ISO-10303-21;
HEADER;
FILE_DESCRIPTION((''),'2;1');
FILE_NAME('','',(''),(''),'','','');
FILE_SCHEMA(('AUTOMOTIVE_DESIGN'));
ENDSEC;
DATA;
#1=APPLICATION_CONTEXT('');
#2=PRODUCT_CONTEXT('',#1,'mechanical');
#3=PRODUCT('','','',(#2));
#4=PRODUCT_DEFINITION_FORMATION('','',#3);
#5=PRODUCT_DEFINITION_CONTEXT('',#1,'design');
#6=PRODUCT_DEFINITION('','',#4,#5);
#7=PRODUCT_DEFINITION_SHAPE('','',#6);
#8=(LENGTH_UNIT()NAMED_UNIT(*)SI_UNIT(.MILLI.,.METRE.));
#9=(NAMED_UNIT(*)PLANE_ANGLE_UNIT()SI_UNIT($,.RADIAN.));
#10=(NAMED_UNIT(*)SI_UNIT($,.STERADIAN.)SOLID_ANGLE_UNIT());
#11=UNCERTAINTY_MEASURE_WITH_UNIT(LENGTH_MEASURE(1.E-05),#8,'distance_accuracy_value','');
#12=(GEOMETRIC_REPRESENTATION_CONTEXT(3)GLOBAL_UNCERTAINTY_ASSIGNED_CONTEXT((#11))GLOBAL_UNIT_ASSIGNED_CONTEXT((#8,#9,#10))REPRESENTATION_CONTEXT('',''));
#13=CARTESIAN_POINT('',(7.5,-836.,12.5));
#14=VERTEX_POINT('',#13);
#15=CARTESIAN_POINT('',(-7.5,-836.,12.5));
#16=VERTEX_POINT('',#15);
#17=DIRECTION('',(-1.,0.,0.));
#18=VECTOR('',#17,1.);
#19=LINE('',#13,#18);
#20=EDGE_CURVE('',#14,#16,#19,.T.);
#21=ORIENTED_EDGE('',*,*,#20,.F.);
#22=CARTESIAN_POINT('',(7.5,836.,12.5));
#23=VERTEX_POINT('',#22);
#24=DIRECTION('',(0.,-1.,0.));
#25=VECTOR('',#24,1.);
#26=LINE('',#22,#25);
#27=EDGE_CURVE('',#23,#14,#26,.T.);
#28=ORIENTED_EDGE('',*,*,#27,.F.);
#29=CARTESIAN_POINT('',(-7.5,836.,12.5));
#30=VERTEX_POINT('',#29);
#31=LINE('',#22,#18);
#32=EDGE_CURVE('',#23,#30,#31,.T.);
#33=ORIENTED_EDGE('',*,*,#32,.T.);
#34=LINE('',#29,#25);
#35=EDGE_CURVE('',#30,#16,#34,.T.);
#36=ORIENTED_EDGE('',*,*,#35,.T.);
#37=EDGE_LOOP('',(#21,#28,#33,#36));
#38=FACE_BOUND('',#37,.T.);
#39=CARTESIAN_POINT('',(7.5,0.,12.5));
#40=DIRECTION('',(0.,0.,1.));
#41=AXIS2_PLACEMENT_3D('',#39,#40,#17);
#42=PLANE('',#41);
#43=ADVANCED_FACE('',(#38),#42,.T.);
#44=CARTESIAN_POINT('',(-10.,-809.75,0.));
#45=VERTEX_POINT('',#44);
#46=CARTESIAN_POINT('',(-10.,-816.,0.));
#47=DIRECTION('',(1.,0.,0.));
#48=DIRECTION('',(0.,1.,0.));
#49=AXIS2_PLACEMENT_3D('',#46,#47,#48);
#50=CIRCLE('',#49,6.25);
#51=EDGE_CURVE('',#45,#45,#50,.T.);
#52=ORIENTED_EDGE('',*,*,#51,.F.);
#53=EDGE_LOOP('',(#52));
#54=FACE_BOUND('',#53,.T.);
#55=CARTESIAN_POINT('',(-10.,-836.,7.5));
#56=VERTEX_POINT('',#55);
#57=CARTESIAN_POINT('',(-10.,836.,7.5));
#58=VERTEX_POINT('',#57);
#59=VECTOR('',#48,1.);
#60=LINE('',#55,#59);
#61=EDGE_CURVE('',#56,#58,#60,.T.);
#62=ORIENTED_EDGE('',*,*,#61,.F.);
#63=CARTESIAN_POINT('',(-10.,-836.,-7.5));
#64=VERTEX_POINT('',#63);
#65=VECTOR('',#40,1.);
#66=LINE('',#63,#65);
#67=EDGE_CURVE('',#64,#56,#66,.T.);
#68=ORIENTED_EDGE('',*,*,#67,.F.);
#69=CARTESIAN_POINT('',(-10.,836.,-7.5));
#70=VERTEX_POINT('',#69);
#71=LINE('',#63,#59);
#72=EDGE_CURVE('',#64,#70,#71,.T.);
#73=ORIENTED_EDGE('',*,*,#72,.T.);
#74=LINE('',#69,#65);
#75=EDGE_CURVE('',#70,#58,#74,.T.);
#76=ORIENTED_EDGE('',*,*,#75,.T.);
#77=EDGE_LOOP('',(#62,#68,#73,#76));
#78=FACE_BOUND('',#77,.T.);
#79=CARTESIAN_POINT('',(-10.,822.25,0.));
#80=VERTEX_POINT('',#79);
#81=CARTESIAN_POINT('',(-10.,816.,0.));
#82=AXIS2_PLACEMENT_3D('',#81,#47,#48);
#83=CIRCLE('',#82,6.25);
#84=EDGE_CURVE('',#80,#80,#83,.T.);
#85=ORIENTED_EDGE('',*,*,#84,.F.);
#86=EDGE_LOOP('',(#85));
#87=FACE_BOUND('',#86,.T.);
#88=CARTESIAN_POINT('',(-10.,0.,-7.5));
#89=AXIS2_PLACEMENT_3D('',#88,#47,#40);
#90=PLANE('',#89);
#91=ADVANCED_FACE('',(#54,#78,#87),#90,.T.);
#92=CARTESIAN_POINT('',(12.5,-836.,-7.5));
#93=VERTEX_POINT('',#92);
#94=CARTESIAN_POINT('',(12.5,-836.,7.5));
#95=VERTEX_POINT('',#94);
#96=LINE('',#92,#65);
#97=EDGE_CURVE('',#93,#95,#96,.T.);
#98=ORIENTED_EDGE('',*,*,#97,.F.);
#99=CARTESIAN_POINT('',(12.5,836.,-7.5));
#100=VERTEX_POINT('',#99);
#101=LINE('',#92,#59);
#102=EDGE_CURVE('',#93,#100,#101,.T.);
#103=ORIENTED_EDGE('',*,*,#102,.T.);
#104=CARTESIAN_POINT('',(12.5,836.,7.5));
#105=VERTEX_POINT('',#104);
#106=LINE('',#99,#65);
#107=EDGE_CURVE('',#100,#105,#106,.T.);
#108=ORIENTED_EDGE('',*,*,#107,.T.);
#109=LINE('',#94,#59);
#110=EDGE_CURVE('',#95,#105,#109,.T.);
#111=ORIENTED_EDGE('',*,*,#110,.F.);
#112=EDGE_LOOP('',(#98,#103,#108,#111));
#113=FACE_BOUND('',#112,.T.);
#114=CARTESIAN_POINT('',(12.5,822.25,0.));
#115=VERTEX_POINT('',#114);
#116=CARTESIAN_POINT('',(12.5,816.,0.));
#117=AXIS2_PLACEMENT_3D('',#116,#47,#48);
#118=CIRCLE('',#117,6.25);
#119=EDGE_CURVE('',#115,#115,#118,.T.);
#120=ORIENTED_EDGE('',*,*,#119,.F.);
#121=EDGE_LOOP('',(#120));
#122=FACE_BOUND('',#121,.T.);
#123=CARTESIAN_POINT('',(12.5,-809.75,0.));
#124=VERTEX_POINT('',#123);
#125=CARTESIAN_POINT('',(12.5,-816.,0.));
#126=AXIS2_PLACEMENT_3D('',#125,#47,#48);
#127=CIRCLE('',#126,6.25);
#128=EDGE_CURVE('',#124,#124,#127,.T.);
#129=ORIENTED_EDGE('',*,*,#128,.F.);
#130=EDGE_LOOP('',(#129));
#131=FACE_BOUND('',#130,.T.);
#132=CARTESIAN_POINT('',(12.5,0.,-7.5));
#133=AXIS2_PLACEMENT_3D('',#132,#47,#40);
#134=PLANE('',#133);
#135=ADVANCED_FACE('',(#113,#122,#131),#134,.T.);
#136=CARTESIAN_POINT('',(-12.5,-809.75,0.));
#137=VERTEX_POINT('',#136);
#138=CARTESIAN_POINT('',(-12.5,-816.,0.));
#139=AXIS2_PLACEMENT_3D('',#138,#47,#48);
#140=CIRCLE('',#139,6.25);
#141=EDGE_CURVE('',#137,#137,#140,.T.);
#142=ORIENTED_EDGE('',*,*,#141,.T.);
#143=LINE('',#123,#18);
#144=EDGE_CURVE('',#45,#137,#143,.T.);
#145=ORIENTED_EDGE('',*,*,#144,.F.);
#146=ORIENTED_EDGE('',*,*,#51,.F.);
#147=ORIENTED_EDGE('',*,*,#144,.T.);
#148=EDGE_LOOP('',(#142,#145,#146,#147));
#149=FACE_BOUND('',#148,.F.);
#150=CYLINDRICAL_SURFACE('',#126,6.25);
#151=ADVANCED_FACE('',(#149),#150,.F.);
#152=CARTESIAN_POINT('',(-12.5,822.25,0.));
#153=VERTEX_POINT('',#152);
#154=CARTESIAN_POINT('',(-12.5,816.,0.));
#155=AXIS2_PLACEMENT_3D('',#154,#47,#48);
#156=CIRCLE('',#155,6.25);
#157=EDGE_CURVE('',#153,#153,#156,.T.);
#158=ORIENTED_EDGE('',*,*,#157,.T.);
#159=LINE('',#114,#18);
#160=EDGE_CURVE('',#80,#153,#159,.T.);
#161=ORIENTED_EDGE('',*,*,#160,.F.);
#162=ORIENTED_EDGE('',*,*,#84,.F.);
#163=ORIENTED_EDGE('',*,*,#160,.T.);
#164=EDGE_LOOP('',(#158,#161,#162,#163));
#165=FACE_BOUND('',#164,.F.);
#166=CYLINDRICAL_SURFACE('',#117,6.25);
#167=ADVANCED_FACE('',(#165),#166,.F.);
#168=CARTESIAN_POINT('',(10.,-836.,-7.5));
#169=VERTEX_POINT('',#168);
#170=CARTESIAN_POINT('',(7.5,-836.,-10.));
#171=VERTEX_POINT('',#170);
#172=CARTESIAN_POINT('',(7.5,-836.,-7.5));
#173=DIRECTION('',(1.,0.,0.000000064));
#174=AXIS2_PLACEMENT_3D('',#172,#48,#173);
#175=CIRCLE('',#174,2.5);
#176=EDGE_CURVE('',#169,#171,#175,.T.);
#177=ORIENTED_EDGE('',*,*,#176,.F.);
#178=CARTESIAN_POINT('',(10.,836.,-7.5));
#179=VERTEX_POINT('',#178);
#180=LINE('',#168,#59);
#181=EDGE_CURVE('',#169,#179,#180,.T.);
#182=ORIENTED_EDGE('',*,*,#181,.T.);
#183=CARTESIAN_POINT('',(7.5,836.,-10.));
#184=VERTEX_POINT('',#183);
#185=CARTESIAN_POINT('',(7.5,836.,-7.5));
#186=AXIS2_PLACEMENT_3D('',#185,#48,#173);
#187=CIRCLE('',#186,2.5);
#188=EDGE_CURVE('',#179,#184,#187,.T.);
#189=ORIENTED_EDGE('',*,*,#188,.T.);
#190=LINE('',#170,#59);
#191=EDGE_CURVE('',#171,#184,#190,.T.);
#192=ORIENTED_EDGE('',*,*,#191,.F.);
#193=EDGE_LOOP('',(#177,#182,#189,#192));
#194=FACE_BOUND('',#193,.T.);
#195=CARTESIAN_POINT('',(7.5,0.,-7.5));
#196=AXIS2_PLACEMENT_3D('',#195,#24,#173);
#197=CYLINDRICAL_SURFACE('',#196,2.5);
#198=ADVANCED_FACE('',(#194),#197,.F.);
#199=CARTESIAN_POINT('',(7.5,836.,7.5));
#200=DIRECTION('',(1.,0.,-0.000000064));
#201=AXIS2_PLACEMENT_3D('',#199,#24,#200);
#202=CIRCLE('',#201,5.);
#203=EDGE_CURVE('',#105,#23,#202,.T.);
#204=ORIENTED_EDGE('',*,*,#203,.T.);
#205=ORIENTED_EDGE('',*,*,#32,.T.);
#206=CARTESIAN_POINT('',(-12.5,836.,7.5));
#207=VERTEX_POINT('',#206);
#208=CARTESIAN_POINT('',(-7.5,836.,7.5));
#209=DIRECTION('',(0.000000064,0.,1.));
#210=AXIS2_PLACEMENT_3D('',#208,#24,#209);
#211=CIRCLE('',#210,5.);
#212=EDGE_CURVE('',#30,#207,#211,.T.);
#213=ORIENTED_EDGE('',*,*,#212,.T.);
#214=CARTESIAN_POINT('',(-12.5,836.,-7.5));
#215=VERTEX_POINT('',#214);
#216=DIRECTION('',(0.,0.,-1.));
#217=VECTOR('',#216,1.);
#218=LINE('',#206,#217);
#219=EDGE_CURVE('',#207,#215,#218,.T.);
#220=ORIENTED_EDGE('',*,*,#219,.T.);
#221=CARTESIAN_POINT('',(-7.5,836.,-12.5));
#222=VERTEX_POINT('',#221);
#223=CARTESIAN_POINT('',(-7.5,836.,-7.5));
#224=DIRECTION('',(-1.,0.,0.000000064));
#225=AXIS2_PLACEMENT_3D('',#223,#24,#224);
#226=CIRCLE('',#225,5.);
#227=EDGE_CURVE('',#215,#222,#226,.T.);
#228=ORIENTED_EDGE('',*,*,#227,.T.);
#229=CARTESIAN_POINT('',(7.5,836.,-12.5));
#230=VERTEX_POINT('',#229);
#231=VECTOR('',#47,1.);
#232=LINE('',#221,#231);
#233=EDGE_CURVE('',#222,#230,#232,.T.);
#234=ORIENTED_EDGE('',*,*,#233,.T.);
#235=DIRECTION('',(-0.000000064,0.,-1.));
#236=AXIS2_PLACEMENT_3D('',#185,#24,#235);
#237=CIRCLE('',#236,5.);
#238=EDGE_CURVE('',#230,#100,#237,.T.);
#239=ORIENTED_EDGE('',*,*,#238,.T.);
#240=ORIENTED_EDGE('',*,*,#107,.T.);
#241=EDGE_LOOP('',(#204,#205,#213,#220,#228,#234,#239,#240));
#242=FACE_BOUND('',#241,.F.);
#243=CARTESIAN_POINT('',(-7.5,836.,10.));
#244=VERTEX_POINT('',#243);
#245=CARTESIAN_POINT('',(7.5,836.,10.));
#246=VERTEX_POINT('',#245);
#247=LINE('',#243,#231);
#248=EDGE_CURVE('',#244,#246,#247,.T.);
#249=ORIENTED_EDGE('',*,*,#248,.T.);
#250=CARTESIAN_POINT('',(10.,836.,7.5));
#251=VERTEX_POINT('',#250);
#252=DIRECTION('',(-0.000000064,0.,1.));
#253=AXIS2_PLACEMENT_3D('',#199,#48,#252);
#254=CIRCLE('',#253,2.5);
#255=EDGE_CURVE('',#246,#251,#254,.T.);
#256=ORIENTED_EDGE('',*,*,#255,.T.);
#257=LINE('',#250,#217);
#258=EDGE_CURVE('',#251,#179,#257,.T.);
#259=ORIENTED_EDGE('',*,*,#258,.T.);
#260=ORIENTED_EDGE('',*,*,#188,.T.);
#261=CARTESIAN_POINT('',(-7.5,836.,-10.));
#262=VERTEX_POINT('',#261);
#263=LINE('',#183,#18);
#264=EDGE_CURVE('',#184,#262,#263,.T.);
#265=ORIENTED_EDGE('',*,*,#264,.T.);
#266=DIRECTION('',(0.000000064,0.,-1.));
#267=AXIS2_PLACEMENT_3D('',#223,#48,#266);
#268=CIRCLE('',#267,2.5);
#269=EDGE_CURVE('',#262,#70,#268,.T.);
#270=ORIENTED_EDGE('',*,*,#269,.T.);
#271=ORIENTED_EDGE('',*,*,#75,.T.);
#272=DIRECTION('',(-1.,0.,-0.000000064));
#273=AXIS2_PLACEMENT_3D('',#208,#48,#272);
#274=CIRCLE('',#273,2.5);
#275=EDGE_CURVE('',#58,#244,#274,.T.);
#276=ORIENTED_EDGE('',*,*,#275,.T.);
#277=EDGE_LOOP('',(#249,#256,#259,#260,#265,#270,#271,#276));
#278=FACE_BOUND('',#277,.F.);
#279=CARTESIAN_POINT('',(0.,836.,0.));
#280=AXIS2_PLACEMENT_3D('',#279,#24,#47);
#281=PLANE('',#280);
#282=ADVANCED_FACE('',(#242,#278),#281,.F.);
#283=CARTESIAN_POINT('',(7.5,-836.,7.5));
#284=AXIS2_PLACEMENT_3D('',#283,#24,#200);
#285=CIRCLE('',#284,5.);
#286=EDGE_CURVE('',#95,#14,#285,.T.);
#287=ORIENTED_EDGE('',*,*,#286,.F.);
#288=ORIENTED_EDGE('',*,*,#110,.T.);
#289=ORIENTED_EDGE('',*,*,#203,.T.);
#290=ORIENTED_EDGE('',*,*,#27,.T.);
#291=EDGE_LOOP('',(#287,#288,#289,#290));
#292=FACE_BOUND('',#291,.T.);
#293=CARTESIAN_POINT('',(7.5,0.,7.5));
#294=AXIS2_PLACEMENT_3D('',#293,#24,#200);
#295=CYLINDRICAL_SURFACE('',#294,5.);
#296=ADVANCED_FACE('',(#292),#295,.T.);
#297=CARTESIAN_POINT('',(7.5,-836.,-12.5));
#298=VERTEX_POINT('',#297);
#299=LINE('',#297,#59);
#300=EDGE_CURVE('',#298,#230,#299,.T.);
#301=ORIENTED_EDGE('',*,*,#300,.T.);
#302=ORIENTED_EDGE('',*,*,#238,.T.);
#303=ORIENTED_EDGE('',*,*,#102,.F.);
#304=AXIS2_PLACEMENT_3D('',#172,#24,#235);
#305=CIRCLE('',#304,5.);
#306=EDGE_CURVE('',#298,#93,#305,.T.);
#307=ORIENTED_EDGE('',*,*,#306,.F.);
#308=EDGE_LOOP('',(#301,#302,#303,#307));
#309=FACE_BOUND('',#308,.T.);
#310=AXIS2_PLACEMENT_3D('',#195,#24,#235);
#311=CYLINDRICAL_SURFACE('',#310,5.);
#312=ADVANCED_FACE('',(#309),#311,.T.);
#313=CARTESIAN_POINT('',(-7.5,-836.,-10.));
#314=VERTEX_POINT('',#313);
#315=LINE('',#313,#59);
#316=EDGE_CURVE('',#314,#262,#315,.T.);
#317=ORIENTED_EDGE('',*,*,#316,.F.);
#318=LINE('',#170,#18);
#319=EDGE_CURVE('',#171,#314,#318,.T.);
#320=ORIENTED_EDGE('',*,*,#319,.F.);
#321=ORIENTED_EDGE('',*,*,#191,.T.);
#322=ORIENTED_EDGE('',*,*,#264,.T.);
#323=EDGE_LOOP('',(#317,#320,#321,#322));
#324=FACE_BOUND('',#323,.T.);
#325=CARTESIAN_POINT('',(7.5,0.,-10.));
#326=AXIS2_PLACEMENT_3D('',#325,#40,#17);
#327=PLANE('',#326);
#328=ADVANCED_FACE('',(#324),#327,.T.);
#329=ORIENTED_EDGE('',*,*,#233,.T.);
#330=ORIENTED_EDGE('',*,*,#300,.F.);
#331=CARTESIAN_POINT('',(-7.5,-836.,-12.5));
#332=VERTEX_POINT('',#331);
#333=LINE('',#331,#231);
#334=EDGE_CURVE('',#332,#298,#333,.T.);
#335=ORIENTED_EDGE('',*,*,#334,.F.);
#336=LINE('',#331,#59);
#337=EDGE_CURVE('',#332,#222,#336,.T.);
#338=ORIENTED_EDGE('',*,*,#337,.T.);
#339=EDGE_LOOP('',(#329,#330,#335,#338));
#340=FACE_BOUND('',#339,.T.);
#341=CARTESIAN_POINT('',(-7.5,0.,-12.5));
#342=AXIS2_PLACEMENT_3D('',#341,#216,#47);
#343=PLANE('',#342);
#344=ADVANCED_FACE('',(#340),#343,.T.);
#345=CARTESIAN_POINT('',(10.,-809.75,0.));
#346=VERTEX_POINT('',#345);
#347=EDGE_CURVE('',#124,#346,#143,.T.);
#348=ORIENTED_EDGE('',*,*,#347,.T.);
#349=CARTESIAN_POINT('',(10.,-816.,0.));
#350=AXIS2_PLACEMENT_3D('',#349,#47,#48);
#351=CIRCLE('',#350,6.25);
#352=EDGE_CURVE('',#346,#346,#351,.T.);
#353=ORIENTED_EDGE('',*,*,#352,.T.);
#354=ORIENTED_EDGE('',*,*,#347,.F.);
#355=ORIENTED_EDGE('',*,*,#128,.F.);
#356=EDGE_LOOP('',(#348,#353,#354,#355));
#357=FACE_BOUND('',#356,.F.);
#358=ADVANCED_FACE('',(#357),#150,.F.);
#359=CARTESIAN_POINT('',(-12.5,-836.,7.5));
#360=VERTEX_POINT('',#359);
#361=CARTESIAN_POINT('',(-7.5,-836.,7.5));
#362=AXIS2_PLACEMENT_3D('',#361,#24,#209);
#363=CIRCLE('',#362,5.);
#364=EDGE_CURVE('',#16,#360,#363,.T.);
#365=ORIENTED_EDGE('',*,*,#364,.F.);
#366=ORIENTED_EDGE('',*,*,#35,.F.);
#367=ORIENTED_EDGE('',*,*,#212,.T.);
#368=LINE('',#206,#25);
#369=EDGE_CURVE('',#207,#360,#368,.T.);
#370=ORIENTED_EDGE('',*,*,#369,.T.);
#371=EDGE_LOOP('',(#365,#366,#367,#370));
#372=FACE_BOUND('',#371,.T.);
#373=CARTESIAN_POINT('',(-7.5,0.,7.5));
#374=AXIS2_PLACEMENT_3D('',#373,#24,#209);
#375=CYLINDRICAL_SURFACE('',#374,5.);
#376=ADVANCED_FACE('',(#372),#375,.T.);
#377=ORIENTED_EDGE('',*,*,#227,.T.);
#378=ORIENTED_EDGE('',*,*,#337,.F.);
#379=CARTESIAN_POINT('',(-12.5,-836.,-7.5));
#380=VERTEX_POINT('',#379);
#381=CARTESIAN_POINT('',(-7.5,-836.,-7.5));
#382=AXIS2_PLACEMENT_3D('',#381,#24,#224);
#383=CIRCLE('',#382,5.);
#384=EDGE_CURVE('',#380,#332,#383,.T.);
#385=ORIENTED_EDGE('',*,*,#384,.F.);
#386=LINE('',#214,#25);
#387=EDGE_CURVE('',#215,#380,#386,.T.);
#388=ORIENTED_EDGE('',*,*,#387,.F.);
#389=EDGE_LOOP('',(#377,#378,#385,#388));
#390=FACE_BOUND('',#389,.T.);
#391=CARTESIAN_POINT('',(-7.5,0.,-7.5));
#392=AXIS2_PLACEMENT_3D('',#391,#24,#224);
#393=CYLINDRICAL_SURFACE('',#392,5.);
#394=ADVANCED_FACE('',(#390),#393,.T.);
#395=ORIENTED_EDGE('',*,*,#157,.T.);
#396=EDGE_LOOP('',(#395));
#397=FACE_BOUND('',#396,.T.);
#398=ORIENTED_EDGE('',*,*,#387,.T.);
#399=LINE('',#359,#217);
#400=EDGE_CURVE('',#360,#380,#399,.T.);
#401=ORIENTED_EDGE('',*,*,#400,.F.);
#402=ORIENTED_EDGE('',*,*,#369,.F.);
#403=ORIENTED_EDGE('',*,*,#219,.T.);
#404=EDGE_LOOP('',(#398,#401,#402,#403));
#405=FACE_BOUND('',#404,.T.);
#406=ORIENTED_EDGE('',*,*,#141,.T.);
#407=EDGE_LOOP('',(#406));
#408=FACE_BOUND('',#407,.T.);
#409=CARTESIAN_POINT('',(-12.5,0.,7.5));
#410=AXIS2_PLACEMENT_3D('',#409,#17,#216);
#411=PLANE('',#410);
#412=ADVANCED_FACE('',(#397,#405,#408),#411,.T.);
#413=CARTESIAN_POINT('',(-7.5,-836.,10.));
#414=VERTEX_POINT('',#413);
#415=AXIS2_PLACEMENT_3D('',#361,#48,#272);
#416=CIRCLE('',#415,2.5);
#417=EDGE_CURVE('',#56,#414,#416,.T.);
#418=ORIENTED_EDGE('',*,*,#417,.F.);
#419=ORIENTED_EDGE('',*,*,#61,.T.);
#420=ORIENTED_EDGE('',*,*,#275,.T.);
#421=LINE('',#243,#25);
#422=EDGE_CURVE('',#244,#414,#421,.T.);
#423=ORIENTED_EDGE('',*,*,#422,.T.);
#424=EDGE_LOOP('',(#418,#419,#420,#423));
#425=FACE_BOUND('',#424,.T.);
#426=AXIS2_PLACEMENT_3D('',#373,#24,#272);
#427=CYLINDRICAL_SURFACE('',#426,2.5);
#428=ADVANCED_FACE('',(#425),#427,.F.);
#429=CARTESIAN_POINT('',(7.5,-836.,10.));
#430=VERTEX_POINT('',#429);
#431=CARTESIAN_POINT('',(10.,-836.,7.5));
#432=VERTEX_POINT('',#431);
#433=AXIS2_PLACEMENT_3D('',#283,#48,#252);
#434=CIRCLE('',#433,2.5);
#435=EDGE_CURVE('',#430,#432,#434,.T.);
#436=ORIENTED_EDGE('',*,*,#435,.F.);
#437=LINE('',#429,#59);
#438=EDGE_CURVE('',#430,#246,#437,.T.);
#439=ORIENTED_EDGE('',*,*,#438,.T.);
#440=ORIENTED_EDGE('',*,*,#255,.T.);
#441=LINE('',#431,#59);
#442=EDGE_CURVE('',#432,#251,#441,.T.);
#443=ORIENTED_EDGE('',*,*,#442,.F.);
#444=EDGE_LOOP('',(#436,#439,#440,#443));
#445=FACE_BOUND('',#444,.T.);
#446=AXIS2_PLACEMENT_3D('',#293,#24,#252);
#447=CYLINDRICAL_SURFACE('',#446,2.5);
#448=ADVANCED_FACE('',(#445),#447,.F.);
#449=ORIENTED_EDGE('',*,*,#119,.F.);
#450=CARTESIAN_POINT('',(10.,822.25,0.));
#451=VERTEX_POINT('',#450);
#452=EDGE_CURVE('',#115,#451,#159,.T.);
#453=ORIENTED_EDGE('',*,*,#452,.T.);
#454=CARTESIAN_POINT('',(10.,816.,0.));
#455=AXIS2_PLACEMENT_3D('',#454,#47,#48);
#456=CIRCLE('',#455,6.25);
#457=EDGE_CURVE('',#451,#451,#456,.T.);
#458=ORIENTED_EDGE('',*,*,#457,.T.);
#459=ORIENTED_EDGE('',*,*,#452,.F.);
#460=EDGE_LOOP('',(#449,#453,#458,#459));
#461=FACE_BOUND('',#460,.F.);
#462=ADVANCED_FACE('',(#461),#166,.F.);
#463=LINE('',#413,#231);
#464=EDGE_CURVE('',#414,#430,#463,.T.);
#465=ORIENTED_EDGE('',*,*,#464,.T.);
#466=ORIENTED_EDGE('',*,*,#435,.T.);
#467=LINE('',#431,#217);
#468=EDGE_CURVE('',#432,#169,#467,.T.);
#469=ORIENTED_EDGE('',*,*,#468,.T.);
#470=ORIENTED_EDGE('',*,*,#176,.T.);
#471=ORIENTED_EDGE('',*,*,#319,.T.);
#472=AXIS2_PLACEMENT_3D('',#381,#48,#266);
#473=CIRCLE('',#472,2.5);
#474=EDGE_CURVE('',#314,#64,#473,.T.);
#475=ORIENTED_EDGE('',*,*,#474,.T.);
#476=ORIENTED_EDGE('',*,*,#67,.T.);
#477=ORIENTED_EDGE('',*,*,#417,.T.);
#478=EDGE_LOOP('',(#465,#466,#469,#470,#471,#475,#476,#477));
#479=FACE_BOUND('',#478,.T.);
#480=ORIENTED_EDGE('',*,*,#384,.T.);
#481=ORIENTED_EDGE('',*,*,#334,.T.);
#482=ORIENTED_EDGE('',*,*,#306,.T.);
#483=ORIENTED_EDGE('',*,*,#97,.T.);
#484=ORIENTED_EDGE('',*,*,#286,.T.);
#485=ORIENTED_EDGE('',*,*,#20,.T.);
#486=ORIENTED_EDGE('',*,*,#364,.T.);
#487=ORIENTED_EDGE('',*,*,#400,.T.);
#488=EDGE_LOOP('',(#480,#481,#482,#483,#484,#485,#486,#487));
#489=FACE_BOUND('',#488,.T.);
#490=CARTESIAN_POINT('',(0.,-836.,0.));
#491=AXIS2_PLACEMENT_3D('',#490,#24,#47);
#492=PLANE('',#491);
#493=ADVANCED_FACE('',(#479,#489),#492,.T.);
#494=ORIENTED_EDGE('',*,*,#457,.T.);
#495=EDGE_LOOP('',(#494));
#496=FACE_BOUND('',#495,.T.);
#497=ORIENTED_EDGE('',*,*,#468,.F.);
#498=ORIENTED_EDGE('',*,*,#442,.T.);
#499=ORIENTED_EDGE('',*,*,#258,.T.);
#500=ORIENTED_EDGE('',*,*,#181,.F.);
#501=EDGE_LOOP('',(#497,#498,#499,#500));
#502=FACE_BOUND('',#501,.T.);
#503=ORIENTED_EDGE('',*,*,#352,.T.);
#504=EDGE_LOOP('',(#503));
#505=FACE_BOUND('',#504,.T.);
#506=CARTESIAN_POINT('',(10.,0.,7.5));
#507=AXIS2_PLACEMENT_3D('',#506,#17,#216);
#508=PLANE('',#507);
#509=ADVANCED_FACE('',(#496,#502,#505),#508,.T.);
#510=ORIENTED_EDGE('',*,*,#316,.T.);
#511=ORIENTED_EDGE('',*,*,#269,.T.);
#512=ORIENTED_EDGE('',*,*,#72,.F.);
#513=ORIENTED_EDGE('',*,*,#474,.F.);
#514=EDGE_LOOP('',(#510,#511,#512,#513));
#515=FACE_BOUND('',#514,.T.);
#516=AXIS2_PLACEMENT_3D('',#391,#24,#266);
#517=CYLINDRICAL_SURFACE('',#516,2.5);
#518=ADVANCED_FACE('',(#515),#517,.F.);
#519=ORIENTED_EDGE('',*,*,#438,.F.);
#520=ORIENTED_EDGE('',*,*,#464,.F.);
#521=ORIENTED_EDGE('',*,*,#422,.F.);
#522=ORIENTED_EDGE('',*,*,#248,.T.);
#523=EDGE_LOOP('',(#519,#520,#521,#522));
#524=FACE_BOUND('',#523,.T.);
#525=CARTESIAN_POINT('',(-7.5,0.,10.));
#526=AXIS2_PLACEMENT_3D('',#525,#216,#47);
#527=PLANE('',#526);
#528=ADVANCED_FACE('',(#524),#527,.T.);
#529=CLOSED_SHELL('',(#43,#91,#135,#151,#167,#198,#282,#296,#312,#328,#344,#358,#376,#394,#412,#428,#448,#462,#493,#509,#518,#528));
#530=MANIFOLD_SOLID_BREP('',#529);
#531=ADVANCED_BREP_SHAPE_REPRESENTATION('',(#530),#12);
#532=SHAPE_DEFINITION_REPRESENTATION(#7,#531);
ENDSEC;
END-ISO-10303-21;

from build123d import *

# Parameters (mm, degrees)
F1_DEPTH = 836
F2_R     = 6.25
F3_DEPTH = 25.001


with BuildPart() as f1:
    # F0 (on Front) → F1 (new body, symmetric)
    with BuildSketch(Plane.XZ):
        with BuildLine():
            ThreePointArc((12.5, 7.5), (11.035534, 11.035534), (7.5, 12.5))
            Line((7.5, 12.5), (-7.5, 12.5))
            ThreePointArc((-7.5, 12.5), (-11.035534, 11.035534), (-12.5, 7.5))
            Line((-12.5, 7.5), (-12.5, -7.5))
            ThreePointArc((-12.5, -7.5), (-11.035534, -11.035534), (-7.5, -12.5))
            Line((-7.5, -12.5), (7.5, -12.5))
            ThreePointArc((7.5, -12.5), (11.035534, -11.035534), (12.5, -7.5))
            Line((12.5, -7.5), (12.5, 7.5))
        make_face()
        with BuildLine():
            Line((-7.5, 10), (7.5, 10))
            ThreePointArc((7.5, 10), (9.267767, 9.267767), (10, 7.5))
            Line((10, 7.5), (10, -7.5))
            ThreePointArc((10, -7.5), (9.267767, -9.267767), (7.5, -10))
            Line((7.5, -10), (-7.5, -10))
            ThreePointArc((-7.5, -10), (-9.267767, -9.267767), (-10, -7.5))
            Line((-10, -7.5), (-10, 7.5))
            ThreePointArc((-10, 7.5), (-9.267767, 9.267767), (-7.5, 10))
        make_face(mode=Mode.SUBTRACT)
    extrude(amount=F1_DEPTH, both=True)

    # F2 (on face) → F3 (cut, through all)
    with BuildSketch(Plane.YZ.offset(12.5)):
        with Locations((-816, 0)):
            Circle(F2_R)
        with Locations((816, 0)):
            Circle(F2_R)
    extrude(amount=-F3_DEPTH, mode=Mode.SUBTRACT)


solid = f1.part
